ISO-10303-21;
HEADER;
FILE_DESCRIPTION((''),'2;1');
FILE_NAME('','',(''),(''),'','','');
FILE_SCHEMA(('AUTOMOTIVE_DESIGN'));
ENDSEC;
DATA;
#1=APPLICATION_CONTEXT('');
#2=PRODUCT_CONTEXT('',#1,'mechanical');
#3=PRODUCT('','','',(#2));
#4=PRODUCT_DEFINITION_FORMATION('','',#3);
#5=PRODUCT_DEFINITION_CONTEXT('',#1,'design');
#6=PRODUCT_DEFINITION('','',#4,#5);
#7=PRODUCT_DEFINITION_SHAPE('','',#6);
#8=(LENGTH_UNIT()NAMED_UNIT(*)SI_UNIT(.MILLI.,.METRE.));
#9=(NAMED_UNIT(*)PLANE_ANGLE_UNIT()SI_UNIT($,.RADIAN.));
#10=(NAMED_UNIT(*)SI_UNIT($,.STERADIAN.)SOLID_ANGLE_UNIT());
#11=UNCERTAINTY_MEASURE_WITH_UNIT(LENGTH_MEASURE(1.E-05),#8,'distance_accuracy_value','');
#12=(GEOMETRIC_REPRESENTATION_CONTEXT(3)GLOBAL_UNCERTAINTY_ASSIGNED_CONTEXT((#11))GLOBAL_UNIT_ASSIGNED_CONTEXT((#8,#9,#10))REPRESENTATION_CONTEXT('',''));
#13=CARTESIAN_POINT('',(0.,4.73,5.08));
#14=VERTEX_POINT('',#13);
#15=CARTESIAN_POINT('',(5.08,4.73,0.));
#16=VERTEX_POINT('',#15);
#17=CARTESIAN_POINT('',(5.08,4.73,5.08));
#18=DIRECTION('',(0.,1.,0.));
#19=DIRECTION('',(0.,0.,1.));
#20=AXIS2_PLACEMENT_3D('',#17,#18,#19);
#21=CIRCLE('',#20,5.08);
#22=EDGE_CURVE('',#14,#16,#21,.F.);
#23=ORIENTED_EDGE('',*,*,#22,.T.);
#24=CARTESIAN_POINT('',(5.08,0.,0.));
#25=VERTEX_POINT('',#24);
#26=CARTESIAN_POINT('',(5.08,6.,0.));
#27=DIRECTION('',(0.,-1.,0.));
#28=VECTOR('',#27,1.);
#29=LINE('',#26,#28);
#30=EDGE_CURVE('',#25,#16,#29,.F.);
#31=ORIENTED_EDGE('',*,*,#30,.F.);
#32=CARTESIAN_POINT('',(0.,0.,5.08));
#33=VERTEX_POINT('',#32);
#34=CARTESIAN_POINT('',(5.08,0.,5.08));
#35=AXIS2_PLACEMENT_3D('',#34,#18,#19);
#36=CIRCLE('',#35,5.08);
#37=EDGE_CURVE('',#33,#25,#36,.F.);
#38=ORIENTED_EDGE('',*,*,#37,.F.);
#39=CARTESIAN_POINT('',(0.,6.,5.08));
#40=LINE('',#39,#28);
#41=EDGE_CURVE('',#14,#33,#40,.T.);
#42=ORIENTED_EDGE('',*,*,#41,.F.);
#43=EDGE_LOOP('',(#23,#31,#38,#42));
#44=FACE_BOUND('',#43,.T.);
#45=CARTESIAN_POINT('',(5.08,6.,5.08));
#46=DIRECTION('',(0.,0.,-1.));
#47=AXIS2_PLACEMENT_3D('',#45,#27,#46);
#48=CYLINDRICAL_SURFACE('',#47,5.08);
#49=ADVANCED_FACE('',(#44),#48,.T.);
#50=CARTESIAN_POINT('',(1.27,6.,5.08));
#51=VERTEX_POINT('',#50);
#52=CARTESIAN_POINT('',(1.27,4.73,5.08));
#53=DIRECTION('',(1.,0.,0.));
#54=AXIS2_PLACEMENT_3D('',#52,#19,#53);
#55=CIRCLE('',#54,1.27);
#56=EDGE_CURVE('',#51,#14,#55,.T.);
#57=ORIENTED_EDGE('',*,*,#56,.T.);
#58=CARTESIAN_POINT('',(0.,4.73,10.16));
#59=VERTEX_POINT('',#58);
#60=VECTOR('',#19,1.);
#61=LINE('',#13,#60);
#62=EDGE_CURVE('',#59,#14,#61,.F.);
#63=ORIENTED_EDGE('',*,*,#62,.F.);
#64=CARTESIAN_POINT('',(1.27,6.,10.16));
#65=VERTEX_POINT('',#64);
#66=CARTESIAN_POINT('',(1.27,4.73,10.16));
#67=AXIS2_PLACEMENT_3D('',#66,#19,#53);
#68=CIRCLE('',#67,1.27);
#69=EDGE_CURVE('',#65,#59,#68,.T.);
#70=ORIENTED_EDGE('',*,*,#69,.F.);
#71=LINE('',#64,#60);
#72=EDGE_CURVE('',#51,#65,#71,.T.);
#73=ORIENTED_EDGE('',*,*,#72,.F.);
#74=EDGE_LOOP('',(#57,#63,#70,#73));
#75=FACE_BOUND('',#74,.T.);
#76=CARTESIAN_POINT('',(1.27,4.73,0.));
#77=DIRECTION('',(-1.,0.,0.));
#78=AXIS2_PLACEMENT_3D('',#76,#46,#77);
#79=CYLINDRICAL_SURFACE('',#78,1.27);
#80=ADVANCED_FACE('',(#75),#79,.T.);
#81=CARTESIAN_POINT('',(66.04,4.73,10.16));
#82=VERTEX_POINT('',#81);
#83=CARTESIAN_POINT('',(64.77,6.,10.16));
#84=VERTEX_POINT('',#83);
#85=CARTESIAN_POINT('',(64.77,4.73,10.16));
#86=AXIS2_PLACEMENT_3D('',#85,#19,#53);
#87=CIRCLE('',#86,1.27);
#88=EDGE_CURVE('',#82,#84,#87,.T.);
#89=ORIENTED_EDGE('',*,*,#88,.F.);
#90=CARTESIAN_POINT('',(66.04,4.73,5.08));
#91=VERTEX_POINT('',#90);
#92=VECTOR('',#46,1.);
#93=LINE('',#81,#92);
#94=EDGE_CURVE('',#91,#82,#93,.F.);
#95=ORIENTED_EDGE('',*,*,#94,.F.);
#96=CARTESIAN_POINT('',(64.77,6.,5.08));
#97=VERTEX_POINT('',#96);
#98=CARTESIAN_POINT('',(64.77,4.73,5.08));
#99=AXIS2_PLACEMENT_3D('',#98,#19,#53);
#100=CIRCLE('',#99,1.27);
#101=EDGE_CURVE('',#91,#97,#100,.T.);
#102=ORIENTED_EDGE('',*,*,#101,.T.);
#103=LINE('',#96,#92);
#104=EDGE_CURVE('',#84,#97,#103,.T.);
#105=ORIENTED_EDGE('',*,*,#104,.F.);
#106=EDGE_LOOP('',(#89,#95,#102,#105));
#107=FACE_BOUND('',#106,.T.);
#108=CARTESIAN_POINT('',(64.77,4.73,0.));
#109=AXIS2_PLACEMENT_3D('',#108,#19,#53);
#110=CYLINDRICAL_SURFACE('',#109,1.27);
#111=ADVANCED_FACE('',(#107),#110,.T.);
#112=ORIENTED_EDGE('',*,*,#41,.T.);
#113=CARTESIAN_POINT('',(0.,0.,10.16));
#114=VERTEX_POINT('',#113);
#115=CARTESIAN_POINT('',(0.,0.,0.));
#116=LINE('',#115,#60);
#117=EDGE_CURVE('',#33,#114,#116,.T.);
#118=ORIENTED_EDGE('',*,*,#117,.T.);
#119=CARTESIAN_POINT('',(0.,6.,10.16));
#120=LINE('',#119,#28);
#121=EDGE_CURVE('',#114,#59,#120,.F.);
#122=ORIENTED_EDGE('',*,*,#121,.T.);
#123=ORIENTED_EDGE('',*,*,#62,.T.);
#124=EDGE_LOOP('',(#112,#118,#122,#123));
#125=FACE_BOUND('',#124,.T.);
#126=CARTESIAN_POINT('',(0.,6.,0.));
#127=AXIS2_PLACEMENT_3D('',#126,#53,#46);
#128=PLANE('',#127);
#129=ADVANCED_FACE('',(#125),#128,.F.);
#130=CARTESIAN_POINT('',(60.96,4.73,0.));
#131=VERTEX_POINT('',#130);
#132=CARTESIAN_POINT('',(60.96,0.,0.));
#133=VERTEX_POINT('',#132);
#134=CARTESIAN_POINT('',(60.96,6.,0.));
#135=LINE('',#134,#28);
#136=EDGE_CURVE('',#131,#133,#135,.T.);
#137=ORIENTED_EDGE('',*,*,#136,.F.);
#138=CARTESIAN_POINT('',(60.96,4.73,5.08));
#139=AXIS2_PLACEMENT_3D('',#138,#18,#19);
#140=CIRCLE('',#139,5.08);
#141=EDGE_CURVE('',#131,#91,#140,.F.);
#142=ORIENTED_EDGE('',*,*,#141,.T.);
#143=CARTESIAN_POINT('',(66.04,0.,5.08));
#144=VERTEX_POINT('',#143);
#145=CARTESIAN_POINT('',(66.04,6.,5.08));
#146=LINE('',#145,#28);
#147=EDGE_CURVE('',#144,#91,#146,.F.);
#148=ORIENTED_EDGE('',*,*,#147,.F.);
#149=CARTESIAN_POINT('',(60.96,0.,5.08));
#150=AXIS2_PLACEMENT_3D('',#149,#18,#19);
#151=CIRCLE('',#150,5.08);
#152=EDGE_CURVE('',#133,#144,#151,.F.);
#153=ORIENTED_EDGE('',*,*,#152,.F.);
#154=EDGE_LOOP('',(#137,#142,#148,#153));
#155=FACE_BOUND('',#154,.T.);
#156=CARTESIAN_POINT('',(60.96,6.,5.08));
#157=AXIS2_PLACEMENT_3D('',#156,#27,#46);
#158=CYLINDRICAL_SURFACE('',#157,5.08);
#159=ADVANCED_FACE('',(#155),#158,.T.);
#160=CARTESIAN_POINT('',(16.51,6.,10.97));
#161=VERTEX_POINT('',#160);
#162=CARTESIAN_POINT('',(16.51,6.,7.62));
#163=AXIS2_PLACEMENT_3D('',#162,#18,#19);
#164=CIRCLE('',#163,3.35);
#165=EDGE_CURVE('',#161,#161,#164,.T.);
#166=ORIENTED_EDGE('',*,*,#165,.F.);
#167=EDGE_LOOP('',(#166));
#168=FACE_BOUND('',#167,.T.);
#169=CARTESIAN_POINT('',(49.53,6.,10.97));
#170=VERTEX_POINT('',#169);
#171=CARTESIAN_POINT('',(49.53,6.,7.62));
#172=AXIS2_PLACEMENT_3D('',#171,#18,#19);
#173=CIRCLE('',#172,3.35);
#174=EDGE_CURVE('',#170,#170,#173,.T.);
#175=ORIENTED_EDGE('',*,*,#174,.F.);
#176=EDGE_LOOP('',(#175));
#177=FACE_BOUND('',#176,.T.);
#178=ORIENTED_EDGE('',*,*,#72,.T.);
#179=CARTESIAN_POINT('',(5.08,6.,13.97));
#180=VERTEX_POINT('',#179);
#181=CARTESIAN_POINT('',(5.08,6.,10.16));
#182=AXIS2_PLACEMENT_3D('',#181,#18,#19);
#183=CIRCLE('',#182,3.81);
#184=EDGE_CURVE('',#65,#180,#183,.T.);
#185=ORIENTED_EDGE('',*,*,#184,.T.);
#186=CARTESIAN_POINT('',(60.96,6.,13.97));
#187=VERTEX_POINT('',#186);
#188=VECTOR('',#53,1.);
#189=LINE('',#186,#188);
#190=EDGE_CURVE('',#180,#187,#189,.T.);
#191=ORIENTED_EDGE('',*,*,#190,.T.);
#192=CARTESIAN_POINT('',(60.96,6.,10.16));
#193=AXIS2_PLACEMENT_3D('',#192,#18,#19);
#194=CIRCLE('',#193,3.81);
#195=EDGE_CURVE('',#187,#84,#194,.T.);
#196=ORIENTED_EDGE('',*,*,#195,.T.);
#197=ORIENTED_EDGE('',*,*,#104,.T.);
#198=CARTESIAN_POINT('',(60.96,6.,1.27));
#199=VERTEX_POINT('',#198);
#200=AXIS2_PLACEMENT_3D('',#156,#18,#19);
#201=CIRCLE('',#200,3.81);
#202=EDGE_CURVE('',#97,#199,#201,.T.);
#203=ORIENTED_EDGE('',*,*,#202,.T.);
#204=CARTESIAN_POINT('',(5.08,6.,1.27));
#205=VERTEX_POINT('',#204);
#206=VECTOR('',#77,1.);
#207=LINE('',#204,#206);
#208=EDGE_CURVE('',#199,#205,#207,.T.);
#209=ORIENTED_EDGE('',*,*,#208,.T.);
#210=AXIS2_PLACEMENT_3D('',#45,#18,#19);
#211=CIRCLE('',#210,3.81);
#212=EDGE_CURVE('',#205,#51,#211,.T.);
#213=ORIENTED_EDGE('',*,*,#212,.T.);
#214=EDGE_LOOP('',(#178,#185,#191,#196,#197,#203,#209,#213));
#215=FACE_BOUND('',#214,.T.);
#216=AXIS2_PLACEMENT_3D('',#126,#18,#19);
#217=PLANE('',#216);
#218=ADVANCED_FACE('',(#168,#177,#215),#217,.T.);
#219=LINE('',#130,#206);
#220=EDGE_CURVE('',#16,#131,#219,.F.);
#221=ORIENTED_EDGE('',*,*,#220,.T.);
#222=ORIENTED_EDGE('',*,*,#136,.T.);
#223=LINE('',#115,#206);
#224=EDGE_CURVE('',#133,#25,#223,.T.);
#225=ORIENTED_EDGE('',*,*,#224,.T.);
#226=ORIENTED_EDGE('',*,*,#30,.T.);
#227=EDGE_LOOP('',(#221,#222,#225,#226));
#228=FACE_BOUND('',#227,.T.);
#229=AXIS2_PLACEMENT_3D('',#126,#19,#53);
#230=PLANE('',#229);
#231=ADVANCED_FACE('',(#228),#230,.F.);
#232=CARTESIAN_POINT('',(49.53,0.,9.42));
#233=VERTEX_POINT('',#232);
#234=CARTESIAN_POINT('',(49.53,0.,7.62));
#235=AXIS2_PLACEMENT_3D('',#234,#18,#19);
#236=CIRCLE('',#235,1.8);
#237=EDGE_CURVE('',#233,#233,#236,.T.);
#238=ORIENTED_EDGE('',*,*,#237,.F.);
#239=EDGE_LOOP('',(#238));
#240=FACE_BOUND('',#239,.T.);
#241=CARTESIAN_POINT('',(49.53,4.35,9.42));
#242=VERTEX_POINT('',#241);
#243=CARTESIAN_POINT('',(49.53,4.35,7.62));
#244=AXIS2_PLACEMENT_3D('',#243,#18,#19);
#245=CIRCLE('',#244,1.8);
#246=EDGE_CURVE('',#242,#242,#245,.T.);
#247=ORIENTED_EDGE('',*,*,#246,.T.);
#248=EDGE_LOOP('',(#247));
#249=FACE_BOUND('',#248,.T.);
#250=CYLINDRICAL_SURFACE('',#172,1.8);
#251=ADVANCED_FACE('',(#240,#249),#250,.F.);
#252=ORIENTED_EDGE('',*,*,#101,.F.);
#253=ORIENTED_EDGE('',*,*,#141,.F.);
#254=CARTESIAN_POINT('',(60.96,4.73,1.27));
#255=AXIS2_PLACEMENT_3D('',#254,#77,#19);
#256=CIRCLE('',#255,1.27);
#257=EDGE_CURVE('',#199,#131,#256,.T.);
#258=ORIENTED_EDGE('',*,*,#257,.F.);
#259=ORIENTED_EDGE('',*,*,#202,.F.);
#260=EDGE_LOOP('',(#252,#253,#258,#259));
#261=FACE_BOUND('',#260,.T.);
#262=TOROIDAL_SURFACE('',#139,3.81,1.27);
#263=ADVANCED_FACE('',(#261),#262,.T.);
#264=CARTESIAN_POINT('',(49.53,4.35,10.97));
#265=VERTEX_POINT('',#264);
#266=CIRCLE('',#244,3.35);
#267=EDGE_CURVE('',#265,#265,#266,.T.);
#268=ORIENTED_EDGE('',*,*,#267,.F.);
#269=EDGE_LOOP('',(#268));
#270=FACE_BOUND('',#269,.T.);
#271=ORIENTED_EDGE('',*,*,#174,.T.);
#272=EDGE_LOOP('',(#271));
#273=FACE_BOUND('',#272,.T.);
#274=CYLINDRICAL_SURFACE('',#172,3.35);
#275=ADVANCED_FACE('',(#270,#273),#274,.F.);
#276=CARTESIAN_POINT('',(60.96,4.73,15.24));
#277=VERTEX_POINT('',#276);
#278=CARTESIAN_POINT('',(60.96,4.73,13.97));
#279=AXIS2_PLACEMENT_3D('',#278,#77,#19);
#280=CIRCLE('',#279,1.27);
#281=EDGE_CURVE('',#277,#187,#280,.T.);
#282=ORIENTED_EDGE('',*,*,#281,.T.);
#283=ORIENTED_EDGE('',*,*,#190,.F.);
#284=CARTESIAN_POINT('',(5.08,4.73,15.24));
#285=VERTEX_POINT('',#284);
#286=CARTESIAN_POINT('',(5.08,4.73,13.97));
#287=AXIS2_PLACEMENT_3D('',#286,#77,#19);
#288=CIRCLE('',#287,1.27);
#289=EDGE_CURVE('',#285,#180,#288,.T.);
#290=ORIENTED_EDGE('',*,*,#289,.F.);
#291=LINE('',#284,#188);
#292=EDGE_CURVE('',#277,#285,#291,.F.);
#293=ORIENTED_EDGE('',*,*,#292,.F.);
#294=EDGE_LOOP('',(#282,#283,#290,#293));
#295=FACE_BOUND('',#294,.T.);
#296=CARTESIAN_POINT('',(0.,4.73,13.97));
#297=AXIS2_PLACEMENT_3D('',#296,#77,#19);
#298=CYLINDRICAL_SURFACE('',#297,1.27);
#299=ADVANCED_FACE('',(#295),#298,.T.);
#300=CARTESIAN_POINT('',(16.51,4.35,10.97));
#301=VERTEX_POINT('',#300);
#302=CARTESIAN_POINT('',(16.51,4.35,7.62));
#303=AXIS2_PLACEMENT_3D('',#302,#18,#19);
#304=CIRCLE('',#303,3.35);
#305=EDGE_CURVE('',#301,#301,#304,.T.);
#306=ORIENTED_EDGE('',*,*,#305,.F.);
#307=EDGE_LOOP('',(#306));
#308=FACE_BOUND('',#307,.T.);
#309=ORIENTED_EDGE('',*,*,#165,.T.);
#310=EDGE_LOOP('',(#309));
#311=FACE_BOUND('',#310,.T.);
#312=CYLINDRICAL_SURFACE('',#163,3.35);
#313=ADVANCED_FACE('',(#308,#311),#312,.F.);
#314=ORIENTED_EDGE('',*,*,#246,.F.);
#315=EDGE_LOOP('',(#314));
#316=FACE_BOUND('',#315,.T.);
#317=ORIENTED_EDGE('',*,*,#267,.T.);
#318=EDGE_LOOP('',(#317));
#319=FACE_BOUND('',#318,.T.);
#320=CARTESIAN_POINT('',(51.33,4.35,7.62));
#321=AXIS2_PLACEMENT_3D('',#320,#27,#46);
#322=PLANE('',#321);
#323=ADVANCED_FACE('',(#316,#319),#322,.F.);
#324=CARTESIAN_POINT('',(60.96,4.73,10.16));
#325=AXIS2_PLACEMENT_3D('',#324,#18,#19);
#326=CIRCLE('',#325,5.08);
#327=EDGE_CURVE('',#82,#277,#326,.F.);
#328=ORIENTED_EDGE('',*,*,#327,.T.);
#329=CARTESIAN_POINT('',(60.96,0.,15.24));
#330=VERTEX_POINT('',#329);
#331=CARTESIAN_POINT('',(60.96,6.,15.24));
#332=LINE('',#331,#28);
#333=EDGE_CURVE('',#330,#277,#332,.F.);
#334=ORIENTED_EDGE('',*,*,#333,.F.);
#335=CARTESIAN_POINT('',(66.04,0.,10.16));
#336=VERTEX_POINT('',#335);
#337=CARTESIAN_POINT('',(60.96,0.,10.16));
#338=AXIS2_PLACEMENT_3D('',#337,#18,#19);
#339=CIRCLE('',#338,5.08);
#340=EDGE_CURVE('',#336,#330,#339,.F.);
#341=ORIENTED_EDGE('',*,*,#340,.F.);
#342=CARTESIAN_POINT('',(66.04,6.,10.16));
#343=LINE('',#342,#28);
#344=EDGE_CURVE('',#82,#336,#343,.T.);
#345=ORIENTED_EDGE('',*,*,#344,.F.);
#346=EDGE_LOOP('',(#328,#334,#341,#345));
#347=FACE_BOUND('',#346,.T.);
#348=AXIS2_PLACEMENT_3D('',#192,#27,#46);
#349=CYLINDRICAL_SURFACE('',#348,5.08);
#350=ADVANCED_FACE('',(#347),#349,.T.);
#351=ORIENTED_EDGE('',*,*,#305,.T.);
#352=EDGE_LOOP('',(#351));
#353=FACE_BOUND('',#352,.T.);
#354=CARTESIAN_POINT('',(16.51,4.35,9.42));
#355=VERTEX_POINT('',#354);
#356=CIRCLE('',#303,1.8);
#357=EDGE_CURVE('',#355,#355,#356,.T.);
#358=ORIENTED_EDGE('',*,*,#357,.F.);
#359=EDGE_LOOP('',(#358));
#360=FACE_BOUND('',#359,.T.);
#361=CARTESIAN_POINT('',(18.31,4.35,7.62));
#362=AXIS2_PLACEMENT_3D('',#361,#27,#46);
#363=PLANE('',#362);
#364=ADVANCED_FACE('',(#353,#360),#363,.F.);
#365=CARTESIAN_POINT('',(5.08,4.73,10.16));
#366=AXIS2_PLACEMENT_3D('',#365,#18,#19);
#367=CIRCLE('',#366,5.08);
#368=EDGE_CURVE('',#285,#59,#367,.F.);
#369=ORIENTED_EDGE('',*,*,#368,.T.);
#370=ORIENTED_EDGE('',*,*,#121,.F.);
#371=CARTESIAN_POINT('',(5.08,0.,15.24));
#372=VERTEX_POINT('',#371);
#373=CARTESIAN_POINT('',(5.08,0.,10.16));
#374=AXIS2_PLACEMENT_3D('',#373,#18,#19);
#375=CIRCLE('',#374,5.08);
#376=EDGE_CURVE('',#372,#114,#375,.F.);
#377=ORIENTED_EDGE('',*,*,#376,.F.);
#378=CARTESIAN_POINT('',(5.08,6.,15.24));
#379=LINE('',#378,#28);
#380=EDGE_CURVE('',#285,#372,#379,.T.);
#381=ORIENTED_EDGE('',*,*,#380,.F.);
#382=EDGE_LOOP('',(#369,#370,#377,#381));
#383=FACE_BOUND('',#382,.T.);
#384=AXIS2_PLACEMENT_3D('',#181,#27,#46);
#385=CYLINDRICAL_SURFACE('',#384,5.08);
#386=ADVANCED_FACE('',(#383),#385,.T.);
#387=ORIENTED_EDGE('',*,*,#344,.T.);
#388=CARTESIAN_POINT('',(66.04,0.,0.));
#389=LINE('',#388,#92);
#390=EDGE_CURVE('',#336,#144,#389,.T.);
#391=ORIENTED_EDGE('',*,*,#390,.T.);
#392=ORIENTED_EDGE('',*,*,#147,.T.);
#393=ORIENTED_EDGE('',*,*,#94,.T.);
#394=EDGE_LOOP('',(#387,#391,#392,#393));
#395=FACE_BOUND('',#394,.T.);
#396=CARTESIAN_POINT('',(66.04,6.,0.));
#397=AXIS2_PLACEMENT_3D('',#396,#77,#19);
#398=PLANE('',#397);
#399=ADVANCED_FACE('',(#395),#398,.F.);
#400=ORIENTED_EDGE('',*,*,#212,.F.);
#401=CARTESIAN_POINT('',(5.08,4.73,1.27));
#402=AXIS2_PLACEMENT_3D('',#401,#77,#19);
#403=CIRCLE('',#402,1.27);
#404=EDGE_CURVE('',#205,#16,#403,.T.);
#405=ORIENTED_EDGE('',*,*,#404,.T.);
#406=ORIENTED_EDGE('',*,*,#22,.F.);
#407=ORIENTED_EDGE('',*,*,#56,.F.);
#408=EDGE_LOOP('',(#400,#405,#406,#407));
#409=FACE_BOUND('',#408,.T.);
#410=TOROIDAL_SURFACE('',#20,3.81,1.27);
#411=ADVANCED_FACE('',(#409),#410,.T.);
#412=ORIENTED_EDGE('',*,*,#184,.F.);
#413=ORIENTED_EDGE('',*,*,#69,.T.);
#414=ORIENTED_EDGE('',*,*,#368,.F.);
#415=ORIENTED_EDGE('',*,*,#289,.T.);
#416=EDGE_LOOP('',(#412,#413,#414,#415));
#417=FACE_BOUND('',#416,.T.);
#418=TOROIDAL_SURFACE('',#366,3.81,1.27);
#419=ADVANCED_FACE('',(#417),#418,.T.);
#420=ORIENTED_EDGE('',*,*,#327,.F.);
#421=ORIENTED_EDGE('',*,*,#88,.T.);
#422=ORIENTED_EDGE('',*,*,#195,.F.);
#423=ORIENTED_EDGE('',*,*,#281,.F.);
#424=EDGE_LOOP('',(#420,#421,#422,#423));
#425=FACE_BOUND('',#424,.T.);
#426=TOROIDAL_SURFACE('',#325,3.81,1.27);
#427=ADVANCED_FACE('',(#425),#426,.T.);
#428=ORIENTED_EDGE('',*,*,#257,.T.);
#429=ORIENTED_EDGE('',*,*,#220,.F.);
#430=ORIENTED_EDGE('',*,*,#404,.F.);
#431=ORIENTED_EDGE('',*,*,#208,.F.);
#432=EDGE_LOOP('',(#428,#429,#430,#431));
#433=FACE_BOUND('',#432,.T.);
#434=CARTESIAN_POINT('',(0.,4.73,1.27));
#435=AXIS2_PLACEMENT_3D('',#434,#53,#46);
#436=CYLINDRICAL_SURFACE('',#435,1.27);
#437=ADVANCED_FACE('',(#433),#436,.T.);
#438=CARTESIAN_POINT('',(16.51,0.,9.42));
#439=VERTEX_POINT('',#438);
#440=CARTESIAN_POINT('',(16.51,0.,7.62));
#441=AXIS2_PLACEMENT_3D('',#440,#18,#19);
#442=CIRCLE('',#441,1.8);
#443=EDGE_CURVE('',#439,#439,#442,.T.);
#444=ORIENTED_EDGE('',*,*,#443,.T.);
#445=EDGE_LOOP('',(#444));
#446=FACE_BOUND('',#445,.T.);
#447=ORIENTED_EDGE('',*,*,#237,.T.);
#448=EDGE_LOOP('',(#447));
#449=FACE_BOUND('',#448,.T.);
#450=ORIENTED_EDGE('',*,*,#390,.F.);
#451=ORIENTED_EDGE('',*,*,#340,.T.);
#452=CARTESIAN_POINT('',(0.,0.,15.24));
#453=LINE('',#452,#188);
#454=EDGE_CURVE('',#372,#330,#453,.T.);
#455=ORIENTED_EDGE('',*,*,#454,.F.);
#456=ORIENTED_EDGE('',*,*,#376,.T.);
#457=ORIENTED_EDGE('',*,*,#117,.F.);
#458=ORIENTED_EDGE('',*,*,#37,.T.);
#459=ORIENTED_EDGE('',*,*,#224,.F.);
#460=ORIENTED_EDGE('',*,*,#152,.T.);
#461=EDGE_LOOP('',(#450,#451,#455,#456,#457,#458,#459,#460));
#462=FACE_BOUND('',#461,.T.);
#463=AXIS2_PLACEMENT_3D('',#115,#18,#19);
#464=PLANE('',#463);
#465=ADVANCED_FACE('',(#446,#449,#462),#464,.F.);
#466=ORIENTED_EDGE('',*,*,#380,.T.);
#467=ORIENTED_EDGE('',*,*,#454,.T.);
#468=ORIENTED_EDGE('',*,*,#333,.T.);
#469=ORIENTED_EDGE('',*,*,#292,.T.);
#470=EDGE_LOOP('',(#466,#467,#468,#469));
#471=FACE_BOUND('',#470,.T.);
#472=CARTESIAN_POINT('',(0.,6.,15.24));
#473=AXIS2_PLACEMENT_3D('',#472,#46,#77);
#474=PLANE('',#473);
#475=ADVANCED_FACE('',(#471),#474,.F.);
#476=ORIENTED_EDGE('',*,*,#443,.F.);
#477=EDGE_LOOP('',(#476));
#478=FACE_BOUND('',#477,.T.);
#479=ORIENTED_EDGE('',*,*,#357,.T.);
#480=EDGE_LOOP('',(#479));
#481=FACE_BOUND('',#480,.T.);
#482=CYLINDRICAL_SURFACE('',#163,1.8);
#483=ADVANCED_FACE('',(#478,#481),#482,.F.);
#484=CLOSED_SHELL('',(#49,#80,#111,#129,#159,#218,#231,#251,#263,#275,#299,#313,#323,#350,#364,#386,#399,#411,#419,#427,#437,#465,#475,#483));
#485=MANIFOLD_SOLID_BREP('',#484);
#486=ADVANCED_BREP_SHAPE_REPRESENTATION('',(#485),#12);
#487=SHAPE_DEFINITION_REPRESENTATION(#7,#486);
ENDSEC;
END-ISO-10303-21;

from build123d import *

# Parameters (mm, degrees)
SKETCH1_W                       = 66.04
SKETCH1_H                       = 15.24
BOSS_EXTRUDE1_DEPTH             = 6
CBORE_FOR_M3_SBHCS1_D           = 3.6
CBORE_FOR_M3_SBHCS1_CBORE_D     = 6.7
CBORE_FOR_M3_SBHCS1_CBORE_DEPTH = 1.65
FILLET1_R                       = 5.08
FILLET2_R                       = 1.27


with BuildPart() as part:
    # Sketch1 → Boss-Extrude1 (new body)
    with BuildSketch(Plane(origin=(0, 0, 0), x_dir=(1, 0, 0), z_dir=(0, 1, 0))):
        with Locations((33.02, -7.62)):
            Rectangle(SKETCH1_W, SKETCH1_H)
    extrude(amount=BOSS_EXTRUDE1_DEPTH)

    # CBORE for M3 SBHCS1 (through all)
    with Locations(Plane(origin=(0, 6, 0), x_dir=(1, 0, 0), z_dir=(0, 1, 0))):
        with Locations((16.51, -7.62), (49.53, -7.62)):
            CounterBoreHole(CBORE_FOR_M3_SBHCS1_D / 2, CBORE_FOR_M3_SBHCS1_CBORE_D / 2, CBORE_FOR_M3_SBHCS1_CBORE_DEPTH)

    # Fillet1
    fillet1_edges = [part.edges().sort_by_distance(p)[0] for p in [
        (0, 3, 0),
        (66.04, 3, 0),
        (66.04, 3, 15.24),
        (0, 3, 15.24),
    ]]
    fillet(fillet1_edges, radius=FILLET1_R)

    # Fillet2
    fillet2_edges = [part.edges().sort_by_distance(p)[0] for p in [
        (33.02, 6, 15.24),
        (0, 6, 7.62),
        (66.04, 6, 7.62),
        (33.02, 6, 0),
        (64.552102448, 6, 1.487897552),
        (64.552102448, 6, 13.752102448),
        (1.487897552, 6, 1.487897552),
        (1.487897552, 6, 13.752102448),
    ]]
    fillet(fillet2_edges, radius=FILLET2_R)


solid = part.part
